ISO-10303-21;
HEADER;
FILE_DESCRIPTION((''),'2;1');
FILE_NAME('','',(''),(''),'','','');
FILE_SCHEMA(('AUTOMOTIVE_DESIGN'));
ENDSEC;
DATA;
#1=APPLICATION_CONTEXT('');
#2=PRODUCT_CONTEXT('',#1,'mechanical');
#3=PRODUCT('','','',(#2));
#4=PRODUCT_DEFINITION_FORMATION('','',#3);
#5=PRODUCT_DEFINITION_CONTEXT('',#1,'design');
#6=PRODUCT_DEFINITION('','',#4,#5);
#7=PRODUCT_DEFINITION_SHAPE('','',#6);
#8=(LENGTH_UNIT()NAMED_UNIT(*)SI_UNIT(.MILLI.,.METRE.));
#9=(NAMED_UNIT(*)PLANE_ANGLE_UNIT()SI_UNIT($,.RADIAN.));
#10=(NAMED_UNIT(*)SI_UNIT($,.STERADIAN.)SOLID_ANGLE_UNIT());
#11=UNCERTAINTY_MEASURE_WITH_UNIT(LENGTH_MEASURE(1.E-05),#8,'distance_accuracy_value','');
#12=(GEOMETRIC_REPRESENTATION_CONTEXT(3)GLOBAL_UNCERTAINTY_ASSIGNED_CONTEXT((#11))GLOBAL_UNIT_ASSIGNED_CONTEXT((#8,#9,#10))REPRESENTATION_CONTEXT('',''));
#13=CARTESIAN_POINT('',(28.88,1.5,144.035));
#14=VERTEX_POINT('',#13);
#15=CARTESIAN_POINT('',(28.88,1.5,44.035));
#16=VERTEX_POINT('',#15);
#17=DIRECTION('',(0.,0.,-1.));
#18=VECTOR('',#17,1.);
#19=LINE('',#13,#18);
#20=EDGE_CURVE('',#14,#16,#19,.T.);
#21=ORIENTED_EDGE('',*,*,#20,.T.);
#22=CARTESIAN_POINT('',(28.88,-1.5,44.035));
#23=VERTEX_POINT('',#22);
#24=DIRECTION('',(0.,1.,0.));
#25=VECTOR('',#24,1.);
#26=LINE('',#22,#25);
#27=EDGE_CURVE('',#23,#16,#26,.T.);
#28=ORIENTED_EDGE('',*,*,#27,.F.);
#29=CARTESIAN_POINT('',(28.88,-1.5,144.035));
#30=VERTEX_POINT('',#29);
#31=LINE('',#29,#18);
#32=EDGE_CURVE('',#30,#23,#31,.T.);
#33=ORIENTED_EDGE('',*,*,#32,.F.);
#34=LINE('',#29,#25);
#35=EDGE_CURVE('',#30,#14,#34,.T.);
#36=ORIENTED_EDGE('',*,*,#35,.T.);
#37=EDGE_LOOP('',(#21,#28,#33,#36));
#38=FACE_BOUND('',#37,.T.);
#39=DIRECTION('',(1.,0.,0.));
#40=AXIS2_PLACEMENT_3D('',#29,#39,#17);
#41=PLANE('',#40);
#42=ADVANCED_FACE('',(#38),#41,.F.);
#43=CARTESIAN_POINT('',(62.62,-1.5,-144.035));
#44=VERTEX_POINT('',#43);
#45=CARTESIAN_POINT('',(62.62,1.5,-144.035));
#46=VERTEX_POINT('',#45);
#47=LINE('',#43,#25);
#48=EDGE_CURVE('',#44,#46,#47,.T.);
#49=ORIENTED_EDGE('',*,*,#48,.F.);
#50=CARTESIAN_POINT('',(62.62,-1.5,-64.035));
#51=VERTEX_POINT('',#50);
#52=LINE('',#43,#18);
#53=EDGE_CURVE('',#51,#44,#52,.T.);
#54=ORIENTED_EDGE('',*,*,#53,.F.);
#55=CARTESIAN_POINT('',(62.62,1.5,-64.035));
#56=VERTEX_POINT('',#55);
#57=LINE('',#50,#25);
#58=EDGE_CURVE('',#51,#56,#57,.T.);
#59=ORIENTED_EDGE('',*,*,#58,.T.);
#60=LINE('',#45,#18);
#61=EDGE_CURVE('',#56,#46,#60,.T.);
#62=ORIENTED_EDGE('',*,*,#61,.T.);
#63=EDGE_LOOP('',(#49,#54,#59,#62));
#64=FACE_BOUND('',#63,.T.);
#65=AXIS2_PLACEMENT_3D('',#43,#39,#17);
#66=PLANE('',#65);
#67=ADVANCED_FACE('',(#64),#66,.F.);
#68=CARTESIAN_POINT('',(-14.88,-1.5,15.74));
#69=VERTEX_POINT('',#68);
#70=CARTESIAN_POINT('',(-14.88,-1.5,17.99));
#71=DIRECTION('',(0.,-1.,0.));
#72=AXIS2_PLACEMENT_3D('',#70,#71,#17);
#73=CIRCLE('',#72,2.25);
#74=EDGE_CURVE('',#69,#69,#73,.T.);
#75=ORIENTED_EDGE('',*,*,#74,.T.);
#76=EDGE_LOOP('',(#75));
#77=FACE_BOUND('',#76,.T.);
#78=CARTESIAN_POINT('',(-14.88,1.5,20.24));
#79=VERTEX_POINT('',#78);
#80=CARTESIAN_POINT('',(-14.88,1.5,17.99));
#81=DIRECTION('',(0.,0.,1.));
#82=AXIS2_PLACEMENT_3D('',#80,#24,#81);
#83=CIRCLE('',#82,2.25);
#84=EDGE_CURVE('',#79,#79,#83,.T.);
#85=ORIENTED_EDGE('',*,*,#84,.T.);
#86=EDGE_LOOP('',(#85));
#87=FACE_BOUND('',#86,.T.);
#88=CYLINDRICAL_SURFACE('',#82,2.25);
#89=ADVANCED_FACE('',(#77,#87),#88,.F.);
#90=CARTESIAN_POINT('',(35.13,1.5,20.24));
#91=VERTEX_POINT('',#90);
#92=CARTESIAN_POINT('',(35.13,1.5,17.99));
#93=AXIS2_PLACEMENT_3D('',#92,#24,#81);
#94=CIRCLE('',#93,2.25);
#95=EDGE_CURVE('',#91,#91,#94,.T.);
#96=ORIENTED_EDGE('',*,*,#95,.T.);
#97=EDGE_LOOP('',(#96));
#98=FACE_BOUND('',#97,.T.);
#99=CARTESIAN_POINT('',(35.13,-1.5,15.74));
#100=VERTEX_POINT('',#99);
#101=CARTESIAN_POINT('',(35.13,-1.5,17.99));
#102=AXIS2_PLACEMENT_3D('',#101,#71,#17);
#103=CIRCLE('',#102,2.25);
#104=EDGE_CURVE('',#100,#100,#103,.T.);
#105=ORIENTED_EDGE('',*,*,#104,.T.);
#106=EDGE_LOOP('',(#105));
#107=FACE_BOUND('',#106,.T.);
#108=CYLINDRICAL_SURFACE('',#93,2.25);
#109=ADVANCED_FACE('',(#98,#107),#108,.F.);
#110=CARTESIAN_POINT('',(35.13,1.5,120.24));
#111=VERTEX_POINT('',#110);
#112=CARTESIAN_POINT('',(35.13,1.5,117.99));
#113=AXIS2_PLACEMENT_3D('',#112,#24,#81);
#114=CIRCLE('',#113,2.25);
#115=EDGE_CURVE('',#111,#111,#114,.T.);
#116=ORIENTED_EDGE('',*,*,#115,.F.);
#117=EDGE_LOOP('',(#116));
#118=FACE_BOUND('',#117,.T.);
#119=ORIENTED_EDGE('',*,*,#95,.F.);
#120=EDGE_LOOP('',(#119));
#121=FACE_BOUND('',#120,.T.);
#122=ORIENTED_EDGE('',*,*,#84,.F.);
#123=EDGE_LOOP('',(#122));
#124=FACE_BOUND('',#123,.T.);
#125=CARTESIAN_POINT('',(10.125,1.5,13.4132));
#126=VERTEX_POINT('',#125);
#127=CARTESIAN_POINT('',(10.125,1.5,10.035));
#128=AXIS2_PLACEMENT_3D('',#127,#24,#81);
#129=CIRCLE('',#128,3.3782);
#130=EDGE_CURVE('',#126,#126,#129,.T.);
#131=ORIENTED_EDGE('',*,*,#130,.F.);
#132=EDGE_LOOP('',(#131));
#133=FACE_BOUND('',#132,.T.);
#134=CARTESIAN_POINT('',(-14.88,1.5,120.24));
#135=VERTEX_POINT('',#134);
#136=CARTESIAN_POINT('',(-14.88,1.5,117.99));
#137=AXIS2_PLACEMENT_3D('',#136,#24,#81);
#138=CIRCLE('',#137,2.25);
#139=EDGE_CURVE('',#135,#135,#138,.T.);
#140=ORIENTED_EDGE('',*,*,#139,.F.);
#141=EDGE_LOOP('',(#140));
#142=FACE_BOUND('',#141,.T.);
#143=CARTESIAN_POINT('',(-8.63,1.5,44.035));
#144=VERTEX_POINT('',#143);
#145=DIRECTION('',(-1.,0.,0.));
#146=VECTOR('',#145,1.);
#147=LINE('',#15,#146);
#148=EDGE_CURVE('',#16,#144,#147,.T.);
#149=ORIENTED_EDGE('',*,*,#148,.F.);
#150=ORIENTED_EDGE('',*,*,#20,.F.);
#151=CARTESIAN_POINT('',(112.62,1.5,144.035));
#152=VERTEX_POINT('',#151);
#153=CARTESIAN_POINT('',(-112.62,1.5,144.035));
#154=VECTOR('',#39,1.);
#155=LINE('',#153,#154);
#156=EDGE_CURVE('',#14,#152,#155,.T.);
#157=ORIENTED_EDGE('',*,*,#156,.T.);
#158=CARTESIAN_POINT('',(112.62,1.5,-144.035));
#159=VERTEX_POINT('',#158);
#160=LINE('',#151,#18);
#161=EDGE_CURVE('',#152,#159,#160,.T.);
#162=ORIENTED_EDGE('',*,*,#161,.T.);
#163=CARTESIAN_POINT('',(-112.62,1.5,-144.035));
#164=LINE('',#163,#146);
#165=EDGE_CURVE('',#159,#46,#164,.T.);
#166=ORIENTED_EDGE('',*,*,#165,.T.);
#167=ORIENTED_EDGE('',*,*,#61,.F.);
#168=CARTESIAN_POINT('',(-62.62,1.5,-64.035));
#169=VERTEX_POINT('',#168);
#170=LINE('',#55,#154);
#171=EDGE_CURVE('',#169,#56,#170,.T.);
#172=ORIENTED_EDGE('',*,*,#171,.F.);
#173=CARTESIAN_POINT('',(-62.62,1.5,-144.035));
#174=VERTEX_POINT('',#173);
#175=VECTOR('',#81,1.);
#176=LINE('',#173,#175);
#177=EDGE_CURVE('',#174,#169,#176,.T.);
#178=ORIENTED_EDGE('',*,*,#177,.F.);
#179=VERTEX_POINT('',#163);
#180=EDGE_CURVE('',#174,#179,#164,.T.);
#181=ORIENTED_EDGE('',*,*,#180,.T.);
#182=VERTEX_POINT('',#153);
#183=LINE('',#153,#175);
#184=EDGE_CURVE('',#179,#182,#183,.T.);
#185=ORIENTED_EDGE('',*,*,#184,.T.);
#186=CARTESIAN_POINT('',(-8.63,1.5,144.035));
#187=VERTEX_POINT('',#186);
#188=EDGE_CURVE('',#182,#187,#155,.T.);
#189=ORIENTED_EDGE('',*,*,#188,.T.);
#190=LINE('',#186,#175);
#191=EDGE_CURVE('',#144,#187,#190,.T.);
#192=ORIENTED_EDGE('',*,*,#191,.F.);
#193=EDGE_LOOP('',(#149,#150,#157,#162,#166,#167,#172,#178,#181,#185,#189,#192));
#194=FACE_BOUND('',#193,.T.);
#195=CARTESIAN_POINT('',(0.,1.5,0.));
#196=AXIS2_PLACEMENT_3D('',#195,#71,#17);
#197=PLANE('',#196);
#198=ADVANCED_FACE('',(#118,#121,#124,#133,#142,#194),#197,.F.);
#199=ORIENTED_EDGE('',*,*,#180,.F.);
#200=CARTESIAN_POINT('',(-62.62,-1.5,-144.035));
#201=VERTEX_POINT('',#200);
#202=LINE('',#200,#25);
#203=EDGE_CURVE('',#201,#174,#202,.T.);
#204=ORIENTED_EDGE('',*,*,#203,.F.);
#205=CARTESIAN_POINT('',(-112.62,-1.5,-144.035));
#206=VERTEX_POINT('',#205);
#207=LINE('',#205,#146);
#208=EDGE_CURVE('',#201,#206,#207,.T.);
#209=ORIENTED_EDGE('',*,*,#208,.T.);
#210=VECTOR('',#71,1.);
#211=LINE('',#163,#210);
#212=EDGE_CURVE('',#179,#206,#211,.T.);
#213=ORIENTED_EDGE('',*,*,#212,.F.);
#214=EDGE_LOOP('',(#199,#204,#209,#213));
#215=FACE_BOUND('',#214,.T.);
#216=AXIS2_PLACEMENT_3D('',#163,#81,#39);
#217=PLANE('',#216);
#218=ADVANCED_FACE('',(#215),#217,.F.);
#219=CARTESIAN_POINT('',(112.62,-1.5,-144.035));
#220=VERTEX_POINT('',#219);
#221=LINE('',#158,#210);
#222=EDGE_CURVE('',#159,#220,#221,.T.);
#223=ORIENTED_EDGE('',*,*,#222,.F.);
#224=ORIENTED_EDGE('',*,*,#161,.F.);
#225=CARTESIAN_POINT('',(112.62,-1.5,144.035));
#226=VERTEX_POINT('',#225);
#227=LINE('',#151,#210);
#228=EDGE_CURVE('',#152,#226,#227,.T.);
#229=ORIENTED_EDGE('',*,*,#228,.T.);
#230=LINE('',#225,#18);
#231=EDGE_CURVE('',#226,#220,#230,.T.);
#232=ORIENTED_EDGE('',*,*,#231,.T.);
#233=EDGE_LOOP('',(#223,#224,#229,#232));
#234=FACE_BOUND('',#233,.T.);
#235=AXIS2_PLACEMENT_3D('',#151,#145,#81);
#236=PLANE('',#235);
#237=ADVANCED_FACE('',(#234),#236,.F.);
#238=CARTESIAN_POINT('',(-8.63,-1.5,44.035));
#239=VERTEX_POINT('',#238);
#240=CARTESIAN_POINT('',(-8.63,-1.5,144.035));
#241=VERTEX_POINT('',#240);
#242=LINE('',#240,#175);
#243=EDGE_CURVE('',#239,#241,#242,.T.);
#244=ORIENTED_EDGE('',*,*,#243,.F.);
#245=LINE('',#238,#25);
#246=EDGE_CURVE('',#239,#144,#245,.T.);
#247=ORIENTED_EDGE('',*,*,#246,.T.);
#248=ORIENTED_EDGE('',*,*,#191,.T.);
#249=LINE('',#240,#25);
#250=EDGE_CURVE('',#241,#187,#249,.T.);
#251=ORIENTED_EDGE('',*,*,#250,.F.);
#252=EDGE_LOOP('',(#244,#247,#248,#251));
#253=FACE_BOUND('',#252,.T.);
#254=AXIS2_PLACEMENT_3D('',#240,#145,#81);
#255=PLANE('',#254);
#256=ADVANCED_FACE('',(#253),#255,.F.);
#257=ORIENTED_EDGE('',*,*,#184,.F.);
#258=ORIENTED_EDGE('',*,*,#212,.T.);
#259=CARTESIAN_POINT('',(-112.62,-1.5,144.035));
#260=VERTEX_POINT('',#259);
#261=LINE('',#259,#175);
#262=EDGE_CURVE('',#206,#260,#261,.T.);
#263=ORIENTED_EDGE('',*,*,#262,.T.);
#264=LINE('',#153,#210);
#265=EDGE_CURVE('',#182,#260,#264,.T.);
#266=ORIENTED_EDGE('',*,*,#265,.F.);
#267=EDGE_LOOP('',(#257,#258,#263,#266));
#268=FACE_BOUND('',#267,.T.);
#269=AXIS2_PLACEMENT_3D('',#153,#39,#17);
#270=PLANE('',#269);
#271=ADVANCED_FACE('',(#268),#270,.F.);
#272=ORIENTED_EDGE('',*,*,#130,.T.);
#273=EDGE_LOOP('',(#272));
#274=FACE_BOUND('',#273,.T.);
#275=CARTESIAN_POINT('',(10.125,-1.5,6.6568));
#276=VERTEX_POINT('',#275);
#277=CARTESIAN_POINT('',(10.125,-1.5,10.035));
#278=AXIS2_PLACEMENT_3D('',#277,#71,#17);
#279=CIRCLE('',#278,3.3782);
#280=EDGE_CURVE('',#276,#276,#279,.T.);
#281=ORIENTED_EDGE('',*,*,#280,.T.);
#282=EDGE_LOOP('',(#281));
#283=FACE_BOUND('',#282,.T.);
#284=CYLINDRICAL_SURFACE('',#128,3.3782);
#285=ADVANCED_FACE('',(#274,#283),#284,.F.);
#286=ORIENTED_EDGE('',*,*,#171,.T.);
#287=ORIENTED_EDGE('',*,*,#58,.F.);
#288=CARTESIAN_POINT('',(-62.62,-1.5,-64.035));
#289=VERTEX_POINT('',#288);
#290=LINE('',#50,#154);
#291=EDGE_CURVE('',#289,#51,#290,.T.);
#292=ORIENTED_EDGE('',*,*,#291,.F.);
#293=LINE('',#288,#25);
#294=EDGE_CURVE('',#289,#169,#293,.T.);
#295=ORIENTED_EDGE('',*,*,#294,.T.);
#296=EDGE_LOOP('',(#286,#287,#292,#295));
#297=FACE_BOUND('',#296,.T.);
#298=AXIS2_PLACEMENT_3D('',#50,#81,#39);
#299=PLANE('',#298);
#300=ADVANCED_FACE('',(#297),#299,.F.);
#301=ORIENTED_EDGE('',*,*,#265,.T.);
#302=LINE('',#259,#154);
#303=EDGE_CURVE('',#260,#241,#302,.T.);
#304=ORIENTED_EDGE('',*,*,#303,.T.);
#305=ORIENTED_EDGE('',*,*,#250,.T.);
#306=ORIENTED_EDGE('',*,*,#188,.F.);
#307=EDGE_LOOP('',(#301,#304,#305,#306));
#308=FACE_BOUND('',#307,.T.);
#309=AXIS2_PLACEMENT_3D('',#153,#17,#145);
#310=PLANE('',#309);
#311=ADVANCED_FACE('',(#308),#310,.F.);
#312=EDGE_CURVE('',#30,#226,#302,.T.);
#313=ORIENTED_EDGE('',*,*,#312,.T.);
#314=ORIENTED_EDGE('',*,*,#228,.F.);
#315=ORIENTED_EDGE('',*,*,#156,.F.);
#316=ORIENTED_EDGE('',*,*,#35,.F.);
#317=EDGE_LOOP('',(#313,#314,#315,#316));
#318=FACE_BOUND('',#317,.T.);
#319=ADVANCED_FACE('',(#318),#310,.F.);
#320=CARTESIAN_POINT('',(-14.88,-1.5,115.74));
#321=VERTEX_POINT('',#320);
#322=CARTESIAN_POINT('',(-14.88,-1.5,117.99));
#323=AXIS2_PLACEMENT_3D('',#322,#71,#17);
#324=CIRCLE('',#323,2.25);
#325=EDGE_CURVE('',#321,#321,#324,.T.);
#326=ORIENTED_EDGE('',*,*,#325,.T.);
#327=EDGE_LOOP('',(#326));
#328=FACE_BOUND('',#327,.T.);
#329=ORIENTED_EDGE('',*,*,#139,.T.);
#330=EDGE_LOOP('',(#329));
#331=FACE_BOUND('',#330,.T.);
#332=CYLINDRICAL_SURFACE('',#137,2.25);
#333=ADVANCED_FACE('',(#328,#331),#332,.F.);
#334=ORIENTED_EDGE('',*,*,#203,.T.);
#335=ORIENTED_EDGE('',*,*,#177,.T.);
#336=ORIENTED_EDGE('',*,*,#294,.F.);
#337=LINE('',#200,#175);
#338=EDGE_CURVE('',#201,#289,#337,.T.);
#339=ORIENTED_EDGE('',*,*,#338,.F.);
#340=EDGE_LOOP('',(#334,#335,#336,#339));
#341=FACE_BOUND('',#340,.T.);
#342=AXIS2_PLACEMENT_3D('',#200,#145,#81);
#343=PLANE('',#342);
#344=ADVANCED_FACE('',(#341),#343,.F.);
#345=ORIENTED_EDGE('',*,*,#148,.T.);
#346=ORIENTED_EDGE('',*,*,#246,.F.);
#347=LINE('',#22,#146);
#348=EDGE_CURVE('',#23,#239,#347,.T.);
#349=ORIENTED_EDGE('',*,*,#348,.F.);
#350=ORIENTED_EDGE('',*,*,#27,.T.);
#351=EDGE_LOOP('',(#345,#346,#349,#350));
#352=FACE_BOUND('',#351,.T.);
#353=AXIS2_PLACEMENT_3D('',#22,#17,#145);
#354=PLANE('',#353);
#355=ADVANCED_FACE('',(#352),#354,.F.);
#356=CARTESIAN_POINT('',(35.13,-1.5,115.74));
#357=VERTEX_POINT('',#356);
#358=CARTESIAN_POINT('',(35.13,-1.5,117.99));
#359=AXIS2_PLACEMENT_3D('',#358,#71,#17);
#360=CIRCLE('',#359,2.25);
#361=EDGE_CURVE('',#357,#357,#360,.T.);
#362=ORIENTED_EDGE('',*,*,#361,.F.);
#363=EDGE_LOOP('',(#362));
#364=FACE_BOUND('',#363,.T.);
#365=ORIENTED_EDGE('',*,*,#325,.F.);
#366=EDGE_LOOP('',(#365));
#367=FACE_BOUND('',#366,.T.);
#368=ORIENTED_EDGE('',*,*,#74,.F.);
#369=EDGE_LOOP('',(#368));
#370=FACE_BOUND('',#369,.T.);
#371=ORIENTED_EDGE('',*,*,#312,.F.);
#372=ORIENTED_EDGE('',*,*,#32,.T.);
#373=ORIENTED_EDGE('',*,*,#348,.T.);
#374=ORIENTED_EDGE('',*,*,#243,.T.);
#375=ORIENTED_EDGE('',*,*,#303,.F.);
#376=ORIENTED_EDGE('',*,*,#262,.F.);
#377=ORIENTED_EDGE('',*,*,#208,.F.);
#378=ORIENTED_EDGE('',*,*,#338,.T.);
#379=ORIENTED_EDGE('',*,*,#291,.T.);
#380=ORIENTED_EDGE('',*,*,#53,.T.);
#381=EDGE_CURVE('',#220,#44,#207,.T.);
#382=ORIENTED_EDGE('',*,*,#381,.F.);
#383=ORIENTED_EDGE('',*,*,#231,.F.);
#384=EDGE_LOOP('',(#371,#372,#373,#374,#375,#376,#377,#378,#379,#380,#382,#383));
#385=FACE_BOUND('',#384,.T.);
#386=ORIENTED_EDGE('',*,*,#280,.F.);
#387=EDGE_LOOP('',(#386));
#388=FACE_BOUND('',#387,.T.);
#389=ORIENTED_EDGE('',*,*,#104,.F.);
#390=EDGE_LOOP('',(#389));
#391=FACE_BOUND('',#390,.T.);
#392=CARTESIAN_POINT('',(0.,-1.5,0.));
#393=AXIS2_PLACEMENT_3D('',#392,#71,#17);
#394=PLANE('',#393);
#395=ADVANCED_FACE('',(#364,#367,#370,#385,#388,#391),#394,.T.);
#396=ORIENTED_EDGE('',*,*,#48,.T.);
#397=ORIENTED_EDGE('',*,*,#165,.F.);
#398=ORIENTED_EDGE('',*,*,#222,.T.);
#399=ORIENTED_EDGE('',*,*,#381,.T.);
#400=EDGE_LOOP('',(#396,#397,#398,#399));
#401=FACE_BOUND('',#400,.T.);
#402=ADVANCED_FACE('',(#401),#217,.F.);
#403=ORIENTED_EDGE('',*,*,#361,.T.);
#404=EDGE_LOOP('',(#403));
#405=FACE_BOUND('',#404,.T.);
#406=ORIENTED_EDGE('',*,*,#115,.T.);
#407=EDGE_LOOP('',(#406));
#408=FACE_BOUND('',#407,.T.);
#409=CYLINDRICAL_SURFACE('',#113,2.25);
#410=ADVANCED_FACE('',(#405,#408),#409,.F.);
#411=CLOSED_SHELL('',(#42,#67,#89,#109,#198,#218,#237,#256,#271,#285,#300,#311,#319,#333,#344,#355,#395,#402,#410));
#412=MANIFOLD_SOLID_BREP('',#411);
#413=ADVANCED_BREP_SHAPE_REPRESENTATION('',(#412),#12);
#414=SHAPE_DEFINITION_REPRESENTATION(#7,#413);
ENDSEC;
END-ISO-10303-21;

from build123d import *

# Parameters (mm, degrees)
SKETCH1_W                   = 225.24
SKETCH1_H                   = 288.07
BOSS_EXTRUDE1_DEPTH         = 1.5
M4_CLEARANCE_HOLE1_D        = 4.5
F_1_4_CLEARANCE_HOLE1_D     = 6.7564
F_1_4_CLEARANCE_HOLE1_DEPTH = 20
F_1_4_CLEARANCE_HOLE1_TIP   = 2.029827343
SKETCH6_W                   = 125.24
SKETCH6_H                   = 80
SKETCH6_W_2                 = 37.51
SKETCH6_H_2                 = 100
CUT_EXTRUDE1_DEPTH          = 183.861547694


with BuildPart() as part:
    # Sketch1 → Boss-Extrude1 (new, symmetric)
    with BuildSketch(Plane(origin=(0, 0, 0), x_dir=(1, 0, 0), z_dir=(0, 1, 0))):
        Rectangle(SKETCH1_W, SKETCH1_H)
    extrude(amount=BOSS_EXTRUDE1_DEPTH, both=True)

    # M4 Clearance Hole1 (through all)
    with Locations(Plane(origin=(0, 1.5, 0), x_dir=(1, 0, 0), z_dir=(0, 1, 0))):
        with Locations((-14.88, -117.99), (-14.88, -17.99), (35.13, -117.99), (35.13, -17.99)):
            Hole(M4_CLEARANCE_HOLE1_D / 2)

    # 1/4 Clearance Hole1
    with Locations(Plane(origin=(0, 1.5, 0), x_dir=(1, 0, 0), z_dir=(0, 1, 0))):
        with Locations((10.125, -10.035)):
            Hole(F_1_4_CLEARANCE_HOLE1_D / 2, depth=F_1_4_CLEARANCE_HOLE1_DEPTH)
            with Locations((0, 0, -(F_1_4_CLEARANCE_HOLE1_DEPTH + F_1_4_CLEARANCE_HOLE1_TIP / 2))):  # 118° drill point
                Cone(0, F_1_4_CLEARANCE_HOLE1_D / 2, F_1_4_CLEARANCE_HOLE1_TIP, mode=Mode.SUBTRACT)

    # Sketch6 → Cut-Extrude1 (cut, through all)
    with BuildSketch(Plane(origin=(0, 1.5, 0), x_dir=(1, 0, 0), z_dir=(0, 1, 0))):
        with Locations((0, 104.035)):
            Rectangle(SKETCH6_W, SKETCH6_H)
        with Locations((10.125, -94.035)):
            Rectangle(SKETCH6_W_2, SKETCH6_H_2)
    extrude(amount=-CUT_EXTRUDE1_DEPTH, mode=Mode.SUBTRACT)


solid = part.part
